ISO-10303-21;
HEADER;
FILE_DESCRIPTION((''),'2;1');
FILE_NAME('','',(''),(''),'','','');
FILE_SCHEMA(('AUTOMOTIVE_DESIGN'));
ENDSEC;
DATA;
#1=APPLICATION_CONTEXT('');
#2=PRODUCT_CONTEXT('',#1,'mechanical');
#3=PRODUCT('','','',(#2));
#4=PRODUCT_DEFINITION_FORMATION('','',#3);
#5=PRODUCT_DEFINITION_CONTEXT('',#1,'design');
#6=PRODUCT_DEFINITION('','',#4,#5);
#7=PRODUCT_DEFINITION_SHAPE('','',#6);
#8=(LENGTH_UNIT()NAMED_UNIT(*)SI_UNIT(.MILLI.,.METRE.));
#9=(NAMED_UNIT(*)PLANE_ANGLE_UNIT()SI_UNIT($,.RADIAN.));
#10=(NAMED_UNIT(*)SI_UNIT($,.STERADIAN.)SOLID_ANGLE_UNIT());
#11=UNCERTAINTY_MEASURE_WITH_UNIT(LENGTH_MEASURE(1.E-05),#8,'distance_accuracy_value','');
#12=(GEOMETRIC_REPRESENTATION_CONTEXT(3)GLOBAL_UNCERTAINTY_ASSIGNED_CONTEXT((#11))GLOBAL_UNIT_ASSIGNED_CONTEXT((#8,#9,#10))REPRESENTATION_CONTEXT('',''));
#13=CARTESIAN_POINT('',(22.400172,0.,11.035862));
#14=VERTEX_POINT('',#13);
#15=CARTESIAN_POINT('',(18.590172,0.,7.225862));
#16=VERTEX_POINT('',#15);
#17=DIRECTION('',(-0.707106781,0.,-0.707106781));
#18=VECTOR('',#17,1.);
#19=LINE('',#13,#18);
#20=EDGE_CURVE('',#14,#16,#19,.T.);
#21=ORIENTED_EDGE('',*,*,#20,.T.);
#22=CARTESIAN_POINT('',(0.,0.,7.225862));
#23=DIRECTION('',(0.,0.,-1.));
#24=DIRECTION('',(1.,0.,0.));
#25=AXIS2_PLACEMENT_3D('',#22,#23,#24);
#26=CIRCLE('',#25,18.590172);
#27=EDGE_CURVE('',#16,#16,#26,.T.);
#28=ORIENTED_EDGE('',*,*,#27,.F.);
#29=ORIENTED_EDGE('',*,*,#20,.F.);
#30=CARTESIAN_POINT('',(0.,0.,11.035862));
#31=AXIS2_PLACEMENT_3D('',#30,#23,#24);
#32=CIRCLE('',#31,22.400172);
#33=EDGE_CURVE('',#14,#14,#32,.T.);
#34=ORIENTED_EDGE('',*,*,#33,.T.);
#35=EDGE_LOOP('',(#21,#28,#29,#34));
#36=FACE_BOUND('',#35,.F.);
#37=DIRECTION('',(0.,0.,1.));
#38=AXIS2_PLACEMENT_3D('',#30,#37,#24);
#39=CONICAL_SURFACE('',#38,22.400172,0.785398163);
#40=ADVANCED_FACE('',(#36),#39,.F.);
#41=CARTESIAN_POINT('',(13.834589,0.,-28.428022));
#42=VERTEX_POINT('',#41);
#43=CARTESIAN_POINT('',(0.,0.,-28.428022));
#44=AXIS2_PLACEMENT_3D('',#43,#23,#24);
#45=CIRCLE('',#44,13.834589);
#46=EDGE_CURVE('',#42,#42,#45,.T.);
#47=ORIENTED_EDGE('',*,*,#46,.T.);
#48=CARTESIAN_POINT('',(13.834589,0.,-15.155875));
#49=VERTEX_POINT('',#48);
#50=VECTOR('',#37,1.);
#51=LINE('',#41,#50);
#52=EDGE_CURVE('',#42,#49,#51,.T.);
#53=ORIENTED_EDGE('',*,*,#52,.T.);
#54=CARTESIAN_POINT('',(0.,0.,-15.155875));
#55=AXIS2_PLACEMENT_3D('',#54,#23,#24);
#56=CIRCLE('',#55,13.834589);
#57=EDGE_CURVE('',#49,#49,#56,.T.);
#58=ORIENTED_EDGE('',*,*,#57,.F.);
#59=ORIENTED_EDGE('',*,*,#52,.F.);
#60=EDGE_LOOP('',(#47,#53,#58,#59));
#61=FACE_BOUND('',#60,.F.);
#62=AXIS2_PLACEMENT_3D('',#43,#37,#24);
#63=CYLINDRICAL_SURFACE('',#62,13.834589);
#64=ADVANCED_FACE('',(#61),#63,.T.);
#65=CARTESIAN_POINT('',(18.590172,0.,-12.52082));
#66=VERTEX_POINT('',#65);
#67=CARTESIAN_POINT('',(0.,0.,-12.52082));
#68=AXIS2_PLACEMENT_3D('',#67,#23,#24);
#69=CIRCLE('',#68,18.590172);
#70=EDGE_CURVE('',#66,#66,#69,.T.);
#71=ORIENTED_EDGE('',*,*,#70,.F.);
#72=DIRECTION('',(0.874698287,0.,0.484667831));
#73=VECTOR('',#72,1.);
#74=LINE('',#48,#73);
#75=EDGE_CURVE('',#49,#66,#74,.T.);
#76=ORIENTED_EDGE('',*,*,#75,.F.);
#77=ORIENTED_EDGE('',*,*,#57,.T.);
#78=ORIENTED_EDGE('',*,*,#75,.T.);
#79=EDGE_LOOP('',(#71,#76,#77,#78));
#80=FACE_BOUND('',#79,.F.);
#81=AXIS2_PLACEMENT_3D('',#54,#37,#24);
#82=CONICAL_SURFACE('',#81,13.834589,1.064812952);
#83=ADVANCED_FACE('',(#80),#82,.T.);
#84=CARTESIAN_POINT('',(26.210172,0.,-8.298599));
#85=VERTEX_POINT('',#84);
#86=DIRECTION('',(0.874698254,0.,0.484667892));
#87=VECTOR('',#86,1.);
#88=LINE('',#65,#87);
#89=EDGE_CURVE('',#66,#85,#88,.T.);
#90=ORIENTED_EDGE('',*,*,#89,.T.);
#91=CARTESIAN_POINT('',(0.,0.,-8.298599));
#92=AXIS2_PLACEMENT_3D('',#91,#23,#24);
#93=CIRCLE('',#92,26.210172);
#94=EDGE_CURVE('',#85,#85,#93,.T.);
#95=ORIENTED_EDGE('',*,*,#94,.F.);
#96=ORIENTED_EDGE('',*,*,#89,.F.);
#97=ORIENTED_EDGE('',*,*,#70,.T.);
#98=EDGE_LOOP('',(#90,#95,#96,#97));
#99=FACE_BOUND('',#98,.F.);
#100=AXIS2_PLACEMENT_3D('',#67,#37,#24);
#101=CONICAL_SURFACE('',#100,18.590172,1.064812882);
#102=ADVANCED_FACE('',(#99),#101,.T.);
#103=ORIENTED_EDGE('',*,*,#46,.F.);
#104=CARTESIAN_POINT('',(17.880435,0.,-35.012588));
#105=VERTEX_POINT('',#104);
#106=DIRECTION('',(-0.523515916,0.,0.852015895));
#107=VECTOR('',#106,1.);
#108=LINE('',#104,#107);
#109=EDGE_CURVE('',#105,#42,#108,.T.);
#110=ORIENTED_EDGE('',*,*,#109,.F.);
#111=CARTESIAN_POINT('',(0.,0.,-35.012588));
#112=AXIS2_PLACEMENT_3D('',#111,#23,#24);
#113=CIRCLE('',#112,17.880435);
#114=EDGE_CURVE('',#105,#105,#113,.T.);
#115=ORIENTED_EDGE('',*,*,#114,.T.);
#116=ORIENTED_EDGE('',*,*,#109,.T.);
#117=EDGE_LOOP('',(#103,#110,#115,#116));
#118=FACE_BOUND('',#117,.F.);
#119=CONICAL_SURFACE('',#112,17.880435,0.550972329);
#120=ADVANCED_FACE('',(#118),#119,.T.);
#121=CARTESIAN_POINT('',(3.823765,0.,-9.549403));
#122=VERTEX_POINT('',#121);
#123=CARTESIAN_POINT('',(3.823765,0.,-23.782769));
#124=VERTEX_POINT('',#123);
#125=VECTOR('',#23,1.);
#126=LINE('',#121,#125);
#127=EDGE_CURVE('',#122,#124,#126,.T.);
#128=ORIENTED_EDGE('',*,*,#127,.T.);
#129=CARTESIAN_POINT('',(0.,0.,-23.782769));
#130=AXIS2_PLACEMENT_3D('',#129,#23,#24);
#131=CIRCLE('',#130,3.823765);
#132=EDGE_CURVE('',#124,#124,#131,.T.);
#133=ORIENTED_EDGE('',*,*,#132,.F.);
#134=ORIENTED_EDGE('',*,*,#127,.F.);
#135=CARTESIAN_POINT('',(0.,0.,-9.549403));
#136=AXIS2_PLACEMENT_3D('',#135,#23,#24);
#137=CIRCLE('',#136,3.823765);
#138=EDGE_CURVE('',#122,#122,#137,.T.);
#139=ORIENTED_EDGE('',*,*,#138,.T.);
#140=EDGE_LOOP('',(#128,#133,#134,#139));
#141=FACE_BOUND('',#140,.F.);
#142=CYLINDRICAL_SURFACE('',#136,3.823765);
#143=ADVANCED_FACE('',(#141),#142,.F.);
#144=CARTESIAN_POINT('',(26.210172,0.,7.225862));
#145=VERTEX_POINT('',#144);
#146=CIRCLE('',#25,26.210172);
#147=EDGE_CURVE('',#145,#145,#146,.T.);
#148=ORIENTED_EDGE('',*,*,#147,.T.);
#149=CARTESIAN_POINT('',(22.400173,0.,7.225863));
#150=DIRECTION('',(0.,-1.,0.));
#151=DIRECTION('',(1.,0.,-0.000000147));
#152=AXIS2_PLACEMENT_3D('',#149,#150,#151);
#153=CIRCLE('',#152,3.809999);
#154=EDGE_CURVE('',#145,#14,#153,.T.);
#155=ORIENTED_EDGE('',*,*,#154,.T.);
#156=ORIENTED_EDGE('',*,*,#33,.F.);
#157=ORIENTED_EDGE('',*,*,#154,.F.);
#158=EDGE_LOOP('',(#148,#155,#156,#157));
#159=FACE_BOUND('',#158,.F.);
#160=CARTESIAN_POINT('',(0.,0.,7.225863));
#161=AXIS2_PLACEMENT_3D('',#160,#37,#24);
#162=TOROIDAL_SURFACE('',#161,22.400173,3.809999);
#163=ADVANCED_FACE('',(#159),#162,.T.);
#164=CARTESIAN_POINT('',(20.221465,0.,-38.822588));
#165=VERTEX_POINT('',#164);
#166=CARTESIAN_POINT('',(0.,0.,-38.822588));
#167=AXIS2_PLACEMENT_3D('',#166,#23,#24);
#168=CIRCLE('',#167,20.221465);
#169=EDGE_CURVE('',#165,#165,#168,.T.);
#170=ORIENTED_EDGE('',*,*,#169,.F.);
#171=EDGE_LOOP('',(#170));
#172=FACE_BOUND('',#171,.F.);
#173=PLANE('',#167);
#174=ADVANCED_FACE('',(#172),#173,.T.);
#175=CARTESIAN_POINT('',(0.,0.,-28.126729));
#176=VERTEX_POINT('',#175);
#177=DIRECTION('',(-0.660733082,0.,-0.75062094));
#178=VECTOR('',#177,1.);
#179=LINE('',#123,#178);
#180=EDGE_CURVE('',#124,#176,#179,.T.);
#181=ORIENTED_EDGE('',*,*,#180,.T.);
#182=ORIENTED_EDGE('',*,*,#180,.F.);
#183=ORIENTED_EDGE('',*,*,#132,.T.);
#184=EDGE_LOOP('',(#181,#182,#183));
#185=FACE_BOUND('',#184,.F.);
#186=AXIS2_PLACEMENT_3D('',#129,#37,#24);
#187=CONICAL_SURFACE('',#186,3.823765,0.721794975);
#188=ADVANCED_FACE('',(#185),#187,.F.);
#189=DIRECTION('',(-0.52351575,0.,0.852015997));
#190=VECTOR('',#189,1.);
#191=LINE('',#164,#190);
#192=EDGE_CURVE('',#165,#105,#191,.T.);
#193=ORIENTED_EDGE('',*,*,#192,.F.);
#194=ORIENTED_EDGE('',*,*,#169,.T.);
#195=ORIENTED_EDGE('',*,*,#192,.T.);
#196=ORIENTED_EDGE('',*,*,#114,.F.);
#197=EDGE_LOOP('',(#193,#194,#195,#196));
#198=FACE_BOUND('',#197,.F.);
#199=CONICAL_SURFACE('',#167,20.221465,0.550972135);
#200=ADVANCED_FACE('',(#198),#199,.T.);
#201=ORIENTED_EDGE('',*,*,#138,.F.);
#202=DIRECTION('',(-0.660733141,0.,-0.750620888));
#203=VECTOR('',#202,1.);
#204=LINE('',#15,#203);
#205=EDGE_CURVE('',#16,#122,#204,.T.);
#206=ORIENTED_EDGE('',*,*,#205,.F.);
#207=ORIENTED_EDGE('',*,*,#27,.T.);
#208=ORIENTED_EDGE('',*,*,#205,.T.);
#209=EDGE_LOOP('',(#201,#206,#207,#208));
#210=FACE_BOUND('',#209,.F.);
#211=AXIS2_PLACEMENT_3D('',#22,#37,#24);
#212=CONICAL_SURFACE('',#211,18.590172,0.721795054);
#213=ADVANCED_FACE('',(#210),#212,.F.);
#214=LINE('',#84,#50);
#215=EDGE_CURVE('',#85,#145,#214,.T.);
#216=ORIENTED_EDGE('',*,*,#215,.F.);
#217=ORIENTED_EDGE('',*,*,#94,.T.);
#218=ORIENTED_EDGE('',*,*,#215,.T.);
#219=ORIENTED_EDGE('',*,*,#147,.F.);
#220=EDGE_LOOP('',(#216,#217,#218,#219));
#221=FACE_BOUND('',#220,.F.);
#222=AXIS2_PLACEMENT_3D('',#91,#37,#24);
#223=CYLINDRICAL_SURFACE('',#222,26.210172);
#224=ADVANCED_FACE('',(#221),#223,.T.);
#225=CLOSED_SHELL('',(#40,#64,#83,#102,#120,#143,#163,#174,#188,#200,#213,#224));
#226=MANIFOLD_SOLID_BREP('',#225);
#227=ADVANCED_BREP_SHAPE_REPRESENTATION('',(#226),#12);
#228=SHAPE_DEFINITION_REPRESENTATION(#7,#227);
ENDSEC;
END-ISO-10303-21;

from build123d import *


with BuildPart() as f1:
    # F0 (on Front) → F1 (revolve)
    with BuildSketch(Plane.XZ):
        Polygon((17.880435, -35.012588), (0, -35.012588), (0, -38.822588), (20.221465, -38.822588), align=None)
        with BuildLine():
            ThreePointArc((26.210172, 7.225862), (25.094249, 9.919939), (22.400172, 11.035862))
            Line((22.400172, 11.035862), (18.590172, 7.225862))
            Line((18.590172, 7.225862), (18.590172, -12.52082))
            Line((18.590172, -12.52082), (26.210172, -8.298599))
            Line((26.210172, -8.298599), (26.210172, 7.225862))
        make_face()
        Polygon((18.590172, -12.52082), (18.590172, 7.225862), (3.823765, -9.549403), (3.823765, -23.782769), (0, -28.126729), (0, -35.012588), (17.880435, -35.012588), (13.834589, -28.428022), (13.834589, -15.155875), align=None)
    revolve(axis=Axis((0, 0, -13.893363), (0, 0, -1)))


solid = f1.part
